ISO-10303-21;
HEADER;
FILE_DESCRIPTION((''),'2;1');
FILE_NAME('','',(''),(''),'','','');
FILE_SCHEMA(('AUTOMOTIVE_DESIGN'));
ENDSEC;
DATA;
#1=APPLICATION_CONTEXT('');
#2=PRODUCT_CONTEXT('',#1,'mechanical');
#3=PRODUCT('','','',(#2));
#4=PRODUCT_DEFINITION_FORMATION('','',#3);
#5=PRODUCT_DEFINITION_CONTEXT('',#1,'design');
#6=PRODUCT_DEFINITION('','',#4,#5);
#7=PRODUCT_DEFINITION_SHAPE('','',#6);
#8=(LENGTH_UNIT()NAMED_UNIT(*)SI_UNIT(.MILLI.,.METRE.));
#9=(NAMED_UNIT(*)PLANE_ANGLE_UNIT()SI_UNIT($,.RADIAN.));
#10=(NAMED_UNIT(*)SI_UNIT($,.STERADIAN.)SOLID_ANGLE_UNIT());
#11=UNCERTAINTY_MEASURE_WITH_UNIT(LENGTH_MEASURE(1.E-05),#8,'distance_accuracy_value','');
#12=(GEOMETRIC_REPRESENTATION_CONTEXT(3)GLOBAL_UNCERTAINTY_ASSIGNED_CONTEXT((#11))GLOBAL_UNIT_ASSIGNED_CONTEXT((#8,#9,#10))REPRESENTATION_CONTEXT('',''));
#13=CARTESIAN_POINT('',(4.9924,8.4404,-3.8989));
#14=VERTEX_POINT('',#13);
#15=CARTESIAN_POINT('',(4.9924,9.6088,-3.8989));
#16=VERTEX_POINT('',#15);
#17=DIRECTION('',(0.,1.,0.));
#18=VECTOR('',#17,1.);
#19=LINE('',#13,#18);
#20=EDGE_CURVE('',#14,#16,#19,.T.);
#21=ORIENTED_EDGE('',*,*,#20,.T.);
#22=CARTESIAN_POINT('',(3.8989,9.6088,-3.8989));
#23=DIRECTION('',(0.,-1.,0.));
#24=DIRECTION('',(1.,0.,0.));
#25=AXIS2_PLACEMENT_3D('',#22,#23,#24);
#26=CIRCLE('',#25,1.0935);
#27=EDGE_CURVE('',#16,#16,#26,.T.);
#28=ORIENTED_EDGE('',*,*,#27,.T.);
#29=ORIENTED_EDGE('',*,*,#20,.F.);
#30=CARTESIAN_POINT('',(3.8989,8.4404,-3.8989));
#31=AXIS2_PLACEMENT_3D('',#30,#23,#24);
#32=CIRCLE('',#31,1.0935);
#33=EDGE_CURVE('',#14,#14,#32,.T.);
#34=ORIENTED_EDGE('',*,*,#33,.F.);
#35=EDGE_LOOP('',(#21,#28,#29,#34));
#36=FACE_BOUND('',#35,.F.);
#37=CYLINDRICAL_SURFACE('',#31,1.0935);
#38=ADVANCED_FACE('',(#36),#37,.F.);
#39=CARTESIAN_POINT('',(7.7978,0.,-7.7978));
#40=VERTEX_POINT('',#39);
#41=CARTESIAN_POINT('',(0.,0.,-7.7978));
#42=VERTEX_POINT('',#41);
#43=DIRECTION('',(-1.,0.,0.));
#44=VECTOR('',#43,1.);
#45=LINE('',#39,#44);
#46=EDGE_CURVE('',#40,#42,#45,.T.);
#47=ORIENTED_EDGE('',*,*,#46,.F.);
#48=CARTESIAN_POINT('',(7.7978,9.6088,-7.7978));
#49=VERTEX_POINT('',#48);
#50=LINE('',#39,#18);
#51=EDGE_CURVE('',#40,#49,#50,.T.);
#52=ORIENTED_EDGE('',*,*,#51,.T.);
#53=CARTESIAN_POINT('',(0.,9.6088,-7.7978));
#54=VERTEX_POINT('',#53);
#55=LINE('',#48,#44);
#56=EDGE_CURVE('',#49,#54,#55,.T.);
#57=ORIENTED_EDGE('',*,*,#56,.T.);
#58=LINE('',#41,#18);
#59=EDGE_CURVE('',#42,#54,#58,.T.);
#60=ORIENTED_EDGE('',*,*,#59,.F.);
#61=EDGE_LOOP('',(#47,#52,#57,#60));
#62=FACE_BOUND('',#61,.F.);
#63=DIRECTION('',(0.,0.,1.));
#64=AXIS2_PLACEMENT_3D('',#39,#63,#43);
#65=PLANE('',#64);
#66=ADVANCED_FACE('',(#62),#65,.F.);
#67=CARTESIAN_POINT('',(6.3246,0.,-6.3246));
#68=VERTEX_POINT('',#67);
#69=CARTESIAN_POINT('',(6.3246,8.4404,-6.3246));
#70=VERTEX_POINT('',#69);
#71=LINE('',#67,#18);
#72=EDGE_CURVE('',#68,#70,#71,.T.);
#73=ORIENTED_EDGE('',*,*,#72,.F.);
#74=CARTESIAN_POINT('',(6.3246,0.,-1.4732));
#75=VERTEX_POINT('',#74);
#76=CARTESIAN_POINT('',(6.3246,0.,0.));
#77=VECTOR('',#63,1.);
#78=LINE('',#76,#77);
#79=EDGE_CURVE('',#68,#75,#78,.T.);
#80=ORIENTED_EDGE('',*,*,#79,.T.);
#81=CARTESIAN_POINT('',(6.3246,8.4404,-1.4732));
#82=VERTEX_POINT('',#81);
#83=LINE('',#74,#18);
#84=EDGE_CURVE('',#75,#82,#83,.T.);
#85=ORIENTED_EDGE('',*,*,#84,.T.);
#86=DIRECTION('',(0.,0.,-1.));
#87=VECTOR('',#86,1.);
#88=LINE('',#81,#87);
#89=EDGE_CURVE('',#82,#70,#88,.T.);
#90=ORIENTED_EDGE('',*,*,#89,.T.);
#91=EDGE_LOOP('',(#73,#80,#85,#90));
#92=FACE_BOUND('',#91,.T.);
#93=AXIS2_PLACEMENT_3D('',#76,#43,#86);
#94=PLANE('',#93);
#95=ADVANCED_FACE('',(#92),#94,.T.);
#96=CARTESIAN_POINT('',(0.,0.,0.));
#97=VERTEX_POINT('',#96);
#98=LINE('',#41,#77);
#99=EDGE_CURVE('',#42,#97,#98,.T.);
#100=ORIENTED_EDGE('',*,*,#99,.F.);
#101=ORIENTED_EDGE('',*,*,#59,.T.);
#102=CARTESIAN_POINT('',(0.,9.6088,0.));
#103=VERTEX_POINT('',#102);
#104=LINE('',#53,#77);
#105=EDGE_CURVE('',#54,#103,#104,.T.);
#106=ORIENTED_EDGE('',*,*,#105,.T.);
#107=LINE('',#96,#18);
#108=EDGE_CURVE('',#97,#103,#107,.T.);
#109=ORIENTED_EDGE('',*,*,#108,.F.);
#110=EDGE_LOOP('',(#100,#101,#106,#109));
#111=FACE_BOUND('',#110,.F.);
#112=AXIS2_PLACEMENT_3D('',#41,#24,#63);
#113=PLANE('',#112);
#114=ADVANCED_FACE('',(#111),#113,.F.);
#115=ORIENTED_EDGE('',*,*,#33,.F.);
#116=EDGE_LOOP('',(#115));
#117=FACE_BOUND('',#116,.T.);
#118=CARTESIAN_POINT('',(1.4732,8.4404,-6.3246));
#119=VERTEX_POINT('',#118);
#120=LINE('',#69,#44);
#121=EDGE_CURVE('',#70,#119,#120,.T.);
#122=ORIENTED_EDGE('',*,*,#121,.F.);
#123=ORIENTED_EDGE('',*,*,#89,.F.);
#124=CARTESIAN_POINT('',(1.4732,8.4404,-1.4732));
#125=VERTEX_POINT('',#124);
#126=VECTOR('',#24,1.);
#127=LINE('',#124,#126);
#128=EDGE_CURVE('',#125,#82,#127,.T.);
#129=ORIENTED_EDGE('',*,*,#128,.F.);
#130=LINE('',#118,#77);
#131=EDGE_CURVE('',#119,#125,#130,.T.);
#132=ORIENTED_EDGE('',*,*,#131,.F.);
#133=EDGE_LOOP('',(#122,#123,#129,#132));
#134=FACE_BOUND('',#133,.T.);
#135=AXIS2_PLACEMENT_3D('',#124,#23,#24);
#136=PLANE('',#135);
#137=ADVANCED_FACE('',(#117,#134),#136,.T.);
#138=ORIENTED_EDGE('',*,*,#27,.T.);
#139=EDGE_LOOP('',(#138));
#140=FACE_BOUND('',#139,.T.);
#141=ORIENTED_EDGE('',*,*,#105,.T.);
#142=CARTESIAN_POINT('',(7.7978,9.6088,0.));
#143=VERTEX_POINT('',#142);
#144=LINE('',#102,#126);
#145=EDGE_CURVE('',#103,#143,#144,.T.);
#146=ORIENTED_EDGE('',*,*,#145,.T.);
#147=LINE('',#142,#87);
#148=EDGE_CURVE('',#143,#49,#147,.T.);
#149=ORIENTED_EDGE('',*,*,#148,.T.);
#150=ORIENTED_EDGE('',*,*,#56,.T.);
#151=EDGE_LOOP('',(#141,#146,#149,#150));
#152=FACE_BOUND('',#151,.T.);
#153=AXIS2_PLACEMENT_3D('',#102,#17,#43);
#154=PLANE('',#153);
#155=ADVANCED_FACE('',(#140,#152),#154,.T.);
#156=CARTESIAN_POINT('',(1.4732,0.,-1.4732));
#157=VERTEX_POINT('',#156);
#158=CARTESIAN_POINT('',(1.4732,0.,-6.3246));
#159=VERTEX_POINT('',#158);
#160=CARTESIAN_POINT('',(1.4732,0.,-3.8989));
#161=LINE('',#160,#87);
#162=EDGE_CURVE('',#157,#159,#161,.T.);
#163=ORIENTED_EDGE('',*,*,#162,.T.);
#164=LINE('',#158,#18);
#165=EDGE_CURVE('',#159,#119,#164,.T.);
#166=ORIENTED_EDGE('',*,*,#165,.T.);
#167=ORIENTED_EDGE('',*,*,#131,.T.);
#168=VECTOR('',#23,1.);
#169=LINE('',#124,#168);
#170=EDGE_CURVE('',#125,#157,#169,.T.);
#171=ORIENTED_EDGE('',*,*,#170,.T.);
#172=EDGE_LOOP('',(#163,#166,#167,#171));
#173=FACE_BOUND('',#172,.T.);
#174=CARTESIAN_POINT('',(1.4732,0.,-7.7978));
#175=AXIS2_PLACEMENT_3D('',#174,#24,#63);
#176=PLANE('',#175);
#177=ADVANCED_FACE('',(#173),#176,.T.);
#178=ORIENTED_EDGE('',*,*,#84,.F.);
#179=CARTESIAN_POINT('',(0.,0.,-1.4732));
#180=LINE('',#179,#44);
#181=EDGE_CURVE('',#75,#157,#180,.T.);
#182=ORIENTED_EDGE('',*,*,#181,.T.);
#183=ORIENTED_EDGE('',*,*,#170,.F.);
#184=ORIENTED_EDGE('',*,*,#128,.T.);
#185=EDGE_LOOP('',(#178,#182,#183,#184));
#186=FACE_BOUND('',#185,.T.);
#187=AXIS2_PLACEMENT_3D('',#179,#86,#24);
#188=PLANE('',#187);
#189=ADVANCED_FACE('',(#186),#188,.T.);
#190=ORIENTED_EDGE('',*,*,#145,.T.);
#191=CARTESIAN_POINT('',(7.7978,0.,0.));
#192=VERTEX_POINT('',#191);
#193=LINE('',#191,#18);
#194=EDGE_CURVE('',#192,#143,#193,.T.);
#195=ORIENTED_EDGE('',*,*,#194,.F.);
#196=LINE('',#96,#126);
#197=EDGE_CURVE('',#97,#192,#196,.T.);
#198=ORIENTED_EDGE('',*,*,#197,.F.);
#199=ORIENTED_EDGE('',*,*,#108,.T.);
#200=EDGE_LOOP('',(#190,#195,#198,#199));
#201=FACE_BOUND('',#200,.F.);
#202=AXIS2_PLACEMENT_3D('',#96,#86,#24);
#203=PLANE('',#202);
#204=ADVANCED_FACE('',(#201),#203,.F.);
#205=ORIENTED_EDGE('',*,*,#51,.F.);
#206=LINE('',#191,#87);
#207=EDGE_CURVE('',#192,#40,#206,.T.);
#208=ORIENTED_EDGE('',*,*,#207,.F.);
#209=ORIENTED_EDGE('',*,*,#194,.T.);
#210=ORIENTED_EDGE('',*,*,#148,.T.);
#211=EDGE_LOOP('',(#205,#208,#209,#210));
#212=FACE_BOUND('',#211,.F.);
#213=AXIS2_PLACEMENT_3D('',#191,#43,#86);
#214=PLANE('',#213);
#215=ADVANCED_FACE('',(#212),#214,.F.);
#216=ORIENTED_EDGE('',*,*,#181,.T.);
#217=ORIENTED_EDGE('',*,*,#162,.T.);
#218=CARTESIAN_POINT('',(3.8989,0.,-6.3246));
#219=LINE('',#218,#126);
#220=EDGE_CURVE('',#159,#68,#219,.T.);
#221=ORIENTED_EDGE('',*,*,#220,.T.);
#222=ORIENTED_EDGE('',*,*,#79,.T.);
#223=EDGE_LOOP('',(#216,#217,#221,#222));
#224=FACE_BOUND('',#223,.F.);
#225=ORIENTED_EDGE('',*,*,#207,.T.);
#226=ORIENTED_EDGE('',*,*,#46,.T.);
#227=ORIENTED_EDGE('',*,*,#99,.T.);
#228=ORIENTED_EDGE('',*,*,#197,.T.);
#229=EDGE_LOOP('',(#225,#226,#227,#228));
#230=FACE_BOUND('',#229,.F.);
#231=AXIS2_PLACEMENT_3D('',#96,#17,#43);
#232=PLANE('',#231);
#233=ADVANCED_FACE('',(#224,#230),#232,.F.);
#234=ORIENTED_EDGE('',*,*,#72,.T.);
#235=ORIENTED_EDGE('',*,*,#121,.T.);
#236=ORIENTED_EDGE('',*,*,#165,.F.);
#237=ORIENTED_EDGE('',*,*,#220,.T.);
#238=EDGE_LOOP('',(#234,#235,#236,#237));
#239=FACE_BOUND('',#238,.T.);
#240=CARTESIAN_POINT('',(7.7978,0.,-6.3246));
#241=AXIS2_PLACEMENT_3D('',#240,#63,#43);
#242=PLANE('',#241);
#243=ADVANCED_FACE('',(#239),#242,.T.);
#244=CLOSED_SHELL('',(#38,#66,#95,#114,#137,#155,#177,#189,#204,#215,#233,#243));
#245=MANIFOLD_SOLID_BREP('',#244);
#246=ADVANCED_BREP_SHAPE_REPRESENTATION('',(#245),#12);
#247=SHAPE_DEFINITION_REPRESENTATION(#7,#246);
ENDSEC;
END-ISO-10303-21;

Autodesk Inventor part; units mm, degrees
ref_plane "YZ Plane" through (0, 0, 0) normal (1, 0, 0) x (0, 1, 0)
ref_plane "XZ Plane" through (0, 0, 0) normal (0, 1, 0) x (-1, 0, 0)
ref_plane "XY Plane" through (0, 0, 0) normal (0, 0, 1) x (1, 0, 0)
sketch "Sketch1" plane through (0, 0, 0) normal (0, 1, 0) x (-1, 0, 0)
  line L0 (0, 0) -> (-7.7978, 0)
  line L1 (-7.7978, 0) -> (-7.7978, -7.7978)
  line L2 (-7.7978, -7.7978) -> (0, -7.7978)
  line L3 (0, -7.7978) -> (0, 0)
  dimension "d0" = 7.7978
  dimension "d1" = 7.7978
extrude "Extrusion1" add sketch "Sketch1" along normal blind 9.6088
shell "Shell1" thickness 1.4732 removed faces 1 at (5.1985, 0, -2.5993)
sketch "Sketch2" plane through (1.4732, 8.1356, -1.4732) normal (0, -1, 0) x (1, 0, 0)
  line L0 (0, -4.8514) -> (0, 0) projected
  line L1 (4.8514, 0) -> (4.8514, -4.8514) projected
  line L2 (0, 0) -> (4.8514, 0)
  line L3 (4.8514, 0) -> (4.8514, -4.8514)
  line L4 (4.8514, -4.8514) -> (0, -4.8514)
  line L5 (0, -4.8514) -> (0, 0)
  point P0 (-1.4732, 1.4732)
extrude "Extrusion2" cut sketch "Sketch2" against normal blind 0.3048
sketch "Sketch3" plane through (1.4732, 8.4404, -1.4732) normal (0, -1, 0) x (1, 0, 0)
  line L0 (0, 0) -> (4.8514, 0) construction
  line L1 (4.8514, 0) -> (4.8514, -4.8514) construction
  line L2 (4.8514, -4.8514) -> (0, -4.8514) construction
  line L3 (0, -4.8514) -> (0, 0) construction
  line L4 (0, -4.8514) -> (0, 0) construction
  line L5 (0, -2.4257) -> (4.8514, -2.4257) construction
  line L6 (0, 0) -> (4.8514, 0) construction
  line L7 (2.4257, 0) -> (2.4257, -4.8514) construction
  circle A0 centre (2.4257, -2.4257) radius 1.0935
  point P0 (-1.4732, 1.4732)
  dimension "d7" = 2.1869
extrude "Extrusion3" cut sketch "Sketch3" against normal blind 1.27
properties part number "Sample 1x1 tall" material "ABS Plastic"
